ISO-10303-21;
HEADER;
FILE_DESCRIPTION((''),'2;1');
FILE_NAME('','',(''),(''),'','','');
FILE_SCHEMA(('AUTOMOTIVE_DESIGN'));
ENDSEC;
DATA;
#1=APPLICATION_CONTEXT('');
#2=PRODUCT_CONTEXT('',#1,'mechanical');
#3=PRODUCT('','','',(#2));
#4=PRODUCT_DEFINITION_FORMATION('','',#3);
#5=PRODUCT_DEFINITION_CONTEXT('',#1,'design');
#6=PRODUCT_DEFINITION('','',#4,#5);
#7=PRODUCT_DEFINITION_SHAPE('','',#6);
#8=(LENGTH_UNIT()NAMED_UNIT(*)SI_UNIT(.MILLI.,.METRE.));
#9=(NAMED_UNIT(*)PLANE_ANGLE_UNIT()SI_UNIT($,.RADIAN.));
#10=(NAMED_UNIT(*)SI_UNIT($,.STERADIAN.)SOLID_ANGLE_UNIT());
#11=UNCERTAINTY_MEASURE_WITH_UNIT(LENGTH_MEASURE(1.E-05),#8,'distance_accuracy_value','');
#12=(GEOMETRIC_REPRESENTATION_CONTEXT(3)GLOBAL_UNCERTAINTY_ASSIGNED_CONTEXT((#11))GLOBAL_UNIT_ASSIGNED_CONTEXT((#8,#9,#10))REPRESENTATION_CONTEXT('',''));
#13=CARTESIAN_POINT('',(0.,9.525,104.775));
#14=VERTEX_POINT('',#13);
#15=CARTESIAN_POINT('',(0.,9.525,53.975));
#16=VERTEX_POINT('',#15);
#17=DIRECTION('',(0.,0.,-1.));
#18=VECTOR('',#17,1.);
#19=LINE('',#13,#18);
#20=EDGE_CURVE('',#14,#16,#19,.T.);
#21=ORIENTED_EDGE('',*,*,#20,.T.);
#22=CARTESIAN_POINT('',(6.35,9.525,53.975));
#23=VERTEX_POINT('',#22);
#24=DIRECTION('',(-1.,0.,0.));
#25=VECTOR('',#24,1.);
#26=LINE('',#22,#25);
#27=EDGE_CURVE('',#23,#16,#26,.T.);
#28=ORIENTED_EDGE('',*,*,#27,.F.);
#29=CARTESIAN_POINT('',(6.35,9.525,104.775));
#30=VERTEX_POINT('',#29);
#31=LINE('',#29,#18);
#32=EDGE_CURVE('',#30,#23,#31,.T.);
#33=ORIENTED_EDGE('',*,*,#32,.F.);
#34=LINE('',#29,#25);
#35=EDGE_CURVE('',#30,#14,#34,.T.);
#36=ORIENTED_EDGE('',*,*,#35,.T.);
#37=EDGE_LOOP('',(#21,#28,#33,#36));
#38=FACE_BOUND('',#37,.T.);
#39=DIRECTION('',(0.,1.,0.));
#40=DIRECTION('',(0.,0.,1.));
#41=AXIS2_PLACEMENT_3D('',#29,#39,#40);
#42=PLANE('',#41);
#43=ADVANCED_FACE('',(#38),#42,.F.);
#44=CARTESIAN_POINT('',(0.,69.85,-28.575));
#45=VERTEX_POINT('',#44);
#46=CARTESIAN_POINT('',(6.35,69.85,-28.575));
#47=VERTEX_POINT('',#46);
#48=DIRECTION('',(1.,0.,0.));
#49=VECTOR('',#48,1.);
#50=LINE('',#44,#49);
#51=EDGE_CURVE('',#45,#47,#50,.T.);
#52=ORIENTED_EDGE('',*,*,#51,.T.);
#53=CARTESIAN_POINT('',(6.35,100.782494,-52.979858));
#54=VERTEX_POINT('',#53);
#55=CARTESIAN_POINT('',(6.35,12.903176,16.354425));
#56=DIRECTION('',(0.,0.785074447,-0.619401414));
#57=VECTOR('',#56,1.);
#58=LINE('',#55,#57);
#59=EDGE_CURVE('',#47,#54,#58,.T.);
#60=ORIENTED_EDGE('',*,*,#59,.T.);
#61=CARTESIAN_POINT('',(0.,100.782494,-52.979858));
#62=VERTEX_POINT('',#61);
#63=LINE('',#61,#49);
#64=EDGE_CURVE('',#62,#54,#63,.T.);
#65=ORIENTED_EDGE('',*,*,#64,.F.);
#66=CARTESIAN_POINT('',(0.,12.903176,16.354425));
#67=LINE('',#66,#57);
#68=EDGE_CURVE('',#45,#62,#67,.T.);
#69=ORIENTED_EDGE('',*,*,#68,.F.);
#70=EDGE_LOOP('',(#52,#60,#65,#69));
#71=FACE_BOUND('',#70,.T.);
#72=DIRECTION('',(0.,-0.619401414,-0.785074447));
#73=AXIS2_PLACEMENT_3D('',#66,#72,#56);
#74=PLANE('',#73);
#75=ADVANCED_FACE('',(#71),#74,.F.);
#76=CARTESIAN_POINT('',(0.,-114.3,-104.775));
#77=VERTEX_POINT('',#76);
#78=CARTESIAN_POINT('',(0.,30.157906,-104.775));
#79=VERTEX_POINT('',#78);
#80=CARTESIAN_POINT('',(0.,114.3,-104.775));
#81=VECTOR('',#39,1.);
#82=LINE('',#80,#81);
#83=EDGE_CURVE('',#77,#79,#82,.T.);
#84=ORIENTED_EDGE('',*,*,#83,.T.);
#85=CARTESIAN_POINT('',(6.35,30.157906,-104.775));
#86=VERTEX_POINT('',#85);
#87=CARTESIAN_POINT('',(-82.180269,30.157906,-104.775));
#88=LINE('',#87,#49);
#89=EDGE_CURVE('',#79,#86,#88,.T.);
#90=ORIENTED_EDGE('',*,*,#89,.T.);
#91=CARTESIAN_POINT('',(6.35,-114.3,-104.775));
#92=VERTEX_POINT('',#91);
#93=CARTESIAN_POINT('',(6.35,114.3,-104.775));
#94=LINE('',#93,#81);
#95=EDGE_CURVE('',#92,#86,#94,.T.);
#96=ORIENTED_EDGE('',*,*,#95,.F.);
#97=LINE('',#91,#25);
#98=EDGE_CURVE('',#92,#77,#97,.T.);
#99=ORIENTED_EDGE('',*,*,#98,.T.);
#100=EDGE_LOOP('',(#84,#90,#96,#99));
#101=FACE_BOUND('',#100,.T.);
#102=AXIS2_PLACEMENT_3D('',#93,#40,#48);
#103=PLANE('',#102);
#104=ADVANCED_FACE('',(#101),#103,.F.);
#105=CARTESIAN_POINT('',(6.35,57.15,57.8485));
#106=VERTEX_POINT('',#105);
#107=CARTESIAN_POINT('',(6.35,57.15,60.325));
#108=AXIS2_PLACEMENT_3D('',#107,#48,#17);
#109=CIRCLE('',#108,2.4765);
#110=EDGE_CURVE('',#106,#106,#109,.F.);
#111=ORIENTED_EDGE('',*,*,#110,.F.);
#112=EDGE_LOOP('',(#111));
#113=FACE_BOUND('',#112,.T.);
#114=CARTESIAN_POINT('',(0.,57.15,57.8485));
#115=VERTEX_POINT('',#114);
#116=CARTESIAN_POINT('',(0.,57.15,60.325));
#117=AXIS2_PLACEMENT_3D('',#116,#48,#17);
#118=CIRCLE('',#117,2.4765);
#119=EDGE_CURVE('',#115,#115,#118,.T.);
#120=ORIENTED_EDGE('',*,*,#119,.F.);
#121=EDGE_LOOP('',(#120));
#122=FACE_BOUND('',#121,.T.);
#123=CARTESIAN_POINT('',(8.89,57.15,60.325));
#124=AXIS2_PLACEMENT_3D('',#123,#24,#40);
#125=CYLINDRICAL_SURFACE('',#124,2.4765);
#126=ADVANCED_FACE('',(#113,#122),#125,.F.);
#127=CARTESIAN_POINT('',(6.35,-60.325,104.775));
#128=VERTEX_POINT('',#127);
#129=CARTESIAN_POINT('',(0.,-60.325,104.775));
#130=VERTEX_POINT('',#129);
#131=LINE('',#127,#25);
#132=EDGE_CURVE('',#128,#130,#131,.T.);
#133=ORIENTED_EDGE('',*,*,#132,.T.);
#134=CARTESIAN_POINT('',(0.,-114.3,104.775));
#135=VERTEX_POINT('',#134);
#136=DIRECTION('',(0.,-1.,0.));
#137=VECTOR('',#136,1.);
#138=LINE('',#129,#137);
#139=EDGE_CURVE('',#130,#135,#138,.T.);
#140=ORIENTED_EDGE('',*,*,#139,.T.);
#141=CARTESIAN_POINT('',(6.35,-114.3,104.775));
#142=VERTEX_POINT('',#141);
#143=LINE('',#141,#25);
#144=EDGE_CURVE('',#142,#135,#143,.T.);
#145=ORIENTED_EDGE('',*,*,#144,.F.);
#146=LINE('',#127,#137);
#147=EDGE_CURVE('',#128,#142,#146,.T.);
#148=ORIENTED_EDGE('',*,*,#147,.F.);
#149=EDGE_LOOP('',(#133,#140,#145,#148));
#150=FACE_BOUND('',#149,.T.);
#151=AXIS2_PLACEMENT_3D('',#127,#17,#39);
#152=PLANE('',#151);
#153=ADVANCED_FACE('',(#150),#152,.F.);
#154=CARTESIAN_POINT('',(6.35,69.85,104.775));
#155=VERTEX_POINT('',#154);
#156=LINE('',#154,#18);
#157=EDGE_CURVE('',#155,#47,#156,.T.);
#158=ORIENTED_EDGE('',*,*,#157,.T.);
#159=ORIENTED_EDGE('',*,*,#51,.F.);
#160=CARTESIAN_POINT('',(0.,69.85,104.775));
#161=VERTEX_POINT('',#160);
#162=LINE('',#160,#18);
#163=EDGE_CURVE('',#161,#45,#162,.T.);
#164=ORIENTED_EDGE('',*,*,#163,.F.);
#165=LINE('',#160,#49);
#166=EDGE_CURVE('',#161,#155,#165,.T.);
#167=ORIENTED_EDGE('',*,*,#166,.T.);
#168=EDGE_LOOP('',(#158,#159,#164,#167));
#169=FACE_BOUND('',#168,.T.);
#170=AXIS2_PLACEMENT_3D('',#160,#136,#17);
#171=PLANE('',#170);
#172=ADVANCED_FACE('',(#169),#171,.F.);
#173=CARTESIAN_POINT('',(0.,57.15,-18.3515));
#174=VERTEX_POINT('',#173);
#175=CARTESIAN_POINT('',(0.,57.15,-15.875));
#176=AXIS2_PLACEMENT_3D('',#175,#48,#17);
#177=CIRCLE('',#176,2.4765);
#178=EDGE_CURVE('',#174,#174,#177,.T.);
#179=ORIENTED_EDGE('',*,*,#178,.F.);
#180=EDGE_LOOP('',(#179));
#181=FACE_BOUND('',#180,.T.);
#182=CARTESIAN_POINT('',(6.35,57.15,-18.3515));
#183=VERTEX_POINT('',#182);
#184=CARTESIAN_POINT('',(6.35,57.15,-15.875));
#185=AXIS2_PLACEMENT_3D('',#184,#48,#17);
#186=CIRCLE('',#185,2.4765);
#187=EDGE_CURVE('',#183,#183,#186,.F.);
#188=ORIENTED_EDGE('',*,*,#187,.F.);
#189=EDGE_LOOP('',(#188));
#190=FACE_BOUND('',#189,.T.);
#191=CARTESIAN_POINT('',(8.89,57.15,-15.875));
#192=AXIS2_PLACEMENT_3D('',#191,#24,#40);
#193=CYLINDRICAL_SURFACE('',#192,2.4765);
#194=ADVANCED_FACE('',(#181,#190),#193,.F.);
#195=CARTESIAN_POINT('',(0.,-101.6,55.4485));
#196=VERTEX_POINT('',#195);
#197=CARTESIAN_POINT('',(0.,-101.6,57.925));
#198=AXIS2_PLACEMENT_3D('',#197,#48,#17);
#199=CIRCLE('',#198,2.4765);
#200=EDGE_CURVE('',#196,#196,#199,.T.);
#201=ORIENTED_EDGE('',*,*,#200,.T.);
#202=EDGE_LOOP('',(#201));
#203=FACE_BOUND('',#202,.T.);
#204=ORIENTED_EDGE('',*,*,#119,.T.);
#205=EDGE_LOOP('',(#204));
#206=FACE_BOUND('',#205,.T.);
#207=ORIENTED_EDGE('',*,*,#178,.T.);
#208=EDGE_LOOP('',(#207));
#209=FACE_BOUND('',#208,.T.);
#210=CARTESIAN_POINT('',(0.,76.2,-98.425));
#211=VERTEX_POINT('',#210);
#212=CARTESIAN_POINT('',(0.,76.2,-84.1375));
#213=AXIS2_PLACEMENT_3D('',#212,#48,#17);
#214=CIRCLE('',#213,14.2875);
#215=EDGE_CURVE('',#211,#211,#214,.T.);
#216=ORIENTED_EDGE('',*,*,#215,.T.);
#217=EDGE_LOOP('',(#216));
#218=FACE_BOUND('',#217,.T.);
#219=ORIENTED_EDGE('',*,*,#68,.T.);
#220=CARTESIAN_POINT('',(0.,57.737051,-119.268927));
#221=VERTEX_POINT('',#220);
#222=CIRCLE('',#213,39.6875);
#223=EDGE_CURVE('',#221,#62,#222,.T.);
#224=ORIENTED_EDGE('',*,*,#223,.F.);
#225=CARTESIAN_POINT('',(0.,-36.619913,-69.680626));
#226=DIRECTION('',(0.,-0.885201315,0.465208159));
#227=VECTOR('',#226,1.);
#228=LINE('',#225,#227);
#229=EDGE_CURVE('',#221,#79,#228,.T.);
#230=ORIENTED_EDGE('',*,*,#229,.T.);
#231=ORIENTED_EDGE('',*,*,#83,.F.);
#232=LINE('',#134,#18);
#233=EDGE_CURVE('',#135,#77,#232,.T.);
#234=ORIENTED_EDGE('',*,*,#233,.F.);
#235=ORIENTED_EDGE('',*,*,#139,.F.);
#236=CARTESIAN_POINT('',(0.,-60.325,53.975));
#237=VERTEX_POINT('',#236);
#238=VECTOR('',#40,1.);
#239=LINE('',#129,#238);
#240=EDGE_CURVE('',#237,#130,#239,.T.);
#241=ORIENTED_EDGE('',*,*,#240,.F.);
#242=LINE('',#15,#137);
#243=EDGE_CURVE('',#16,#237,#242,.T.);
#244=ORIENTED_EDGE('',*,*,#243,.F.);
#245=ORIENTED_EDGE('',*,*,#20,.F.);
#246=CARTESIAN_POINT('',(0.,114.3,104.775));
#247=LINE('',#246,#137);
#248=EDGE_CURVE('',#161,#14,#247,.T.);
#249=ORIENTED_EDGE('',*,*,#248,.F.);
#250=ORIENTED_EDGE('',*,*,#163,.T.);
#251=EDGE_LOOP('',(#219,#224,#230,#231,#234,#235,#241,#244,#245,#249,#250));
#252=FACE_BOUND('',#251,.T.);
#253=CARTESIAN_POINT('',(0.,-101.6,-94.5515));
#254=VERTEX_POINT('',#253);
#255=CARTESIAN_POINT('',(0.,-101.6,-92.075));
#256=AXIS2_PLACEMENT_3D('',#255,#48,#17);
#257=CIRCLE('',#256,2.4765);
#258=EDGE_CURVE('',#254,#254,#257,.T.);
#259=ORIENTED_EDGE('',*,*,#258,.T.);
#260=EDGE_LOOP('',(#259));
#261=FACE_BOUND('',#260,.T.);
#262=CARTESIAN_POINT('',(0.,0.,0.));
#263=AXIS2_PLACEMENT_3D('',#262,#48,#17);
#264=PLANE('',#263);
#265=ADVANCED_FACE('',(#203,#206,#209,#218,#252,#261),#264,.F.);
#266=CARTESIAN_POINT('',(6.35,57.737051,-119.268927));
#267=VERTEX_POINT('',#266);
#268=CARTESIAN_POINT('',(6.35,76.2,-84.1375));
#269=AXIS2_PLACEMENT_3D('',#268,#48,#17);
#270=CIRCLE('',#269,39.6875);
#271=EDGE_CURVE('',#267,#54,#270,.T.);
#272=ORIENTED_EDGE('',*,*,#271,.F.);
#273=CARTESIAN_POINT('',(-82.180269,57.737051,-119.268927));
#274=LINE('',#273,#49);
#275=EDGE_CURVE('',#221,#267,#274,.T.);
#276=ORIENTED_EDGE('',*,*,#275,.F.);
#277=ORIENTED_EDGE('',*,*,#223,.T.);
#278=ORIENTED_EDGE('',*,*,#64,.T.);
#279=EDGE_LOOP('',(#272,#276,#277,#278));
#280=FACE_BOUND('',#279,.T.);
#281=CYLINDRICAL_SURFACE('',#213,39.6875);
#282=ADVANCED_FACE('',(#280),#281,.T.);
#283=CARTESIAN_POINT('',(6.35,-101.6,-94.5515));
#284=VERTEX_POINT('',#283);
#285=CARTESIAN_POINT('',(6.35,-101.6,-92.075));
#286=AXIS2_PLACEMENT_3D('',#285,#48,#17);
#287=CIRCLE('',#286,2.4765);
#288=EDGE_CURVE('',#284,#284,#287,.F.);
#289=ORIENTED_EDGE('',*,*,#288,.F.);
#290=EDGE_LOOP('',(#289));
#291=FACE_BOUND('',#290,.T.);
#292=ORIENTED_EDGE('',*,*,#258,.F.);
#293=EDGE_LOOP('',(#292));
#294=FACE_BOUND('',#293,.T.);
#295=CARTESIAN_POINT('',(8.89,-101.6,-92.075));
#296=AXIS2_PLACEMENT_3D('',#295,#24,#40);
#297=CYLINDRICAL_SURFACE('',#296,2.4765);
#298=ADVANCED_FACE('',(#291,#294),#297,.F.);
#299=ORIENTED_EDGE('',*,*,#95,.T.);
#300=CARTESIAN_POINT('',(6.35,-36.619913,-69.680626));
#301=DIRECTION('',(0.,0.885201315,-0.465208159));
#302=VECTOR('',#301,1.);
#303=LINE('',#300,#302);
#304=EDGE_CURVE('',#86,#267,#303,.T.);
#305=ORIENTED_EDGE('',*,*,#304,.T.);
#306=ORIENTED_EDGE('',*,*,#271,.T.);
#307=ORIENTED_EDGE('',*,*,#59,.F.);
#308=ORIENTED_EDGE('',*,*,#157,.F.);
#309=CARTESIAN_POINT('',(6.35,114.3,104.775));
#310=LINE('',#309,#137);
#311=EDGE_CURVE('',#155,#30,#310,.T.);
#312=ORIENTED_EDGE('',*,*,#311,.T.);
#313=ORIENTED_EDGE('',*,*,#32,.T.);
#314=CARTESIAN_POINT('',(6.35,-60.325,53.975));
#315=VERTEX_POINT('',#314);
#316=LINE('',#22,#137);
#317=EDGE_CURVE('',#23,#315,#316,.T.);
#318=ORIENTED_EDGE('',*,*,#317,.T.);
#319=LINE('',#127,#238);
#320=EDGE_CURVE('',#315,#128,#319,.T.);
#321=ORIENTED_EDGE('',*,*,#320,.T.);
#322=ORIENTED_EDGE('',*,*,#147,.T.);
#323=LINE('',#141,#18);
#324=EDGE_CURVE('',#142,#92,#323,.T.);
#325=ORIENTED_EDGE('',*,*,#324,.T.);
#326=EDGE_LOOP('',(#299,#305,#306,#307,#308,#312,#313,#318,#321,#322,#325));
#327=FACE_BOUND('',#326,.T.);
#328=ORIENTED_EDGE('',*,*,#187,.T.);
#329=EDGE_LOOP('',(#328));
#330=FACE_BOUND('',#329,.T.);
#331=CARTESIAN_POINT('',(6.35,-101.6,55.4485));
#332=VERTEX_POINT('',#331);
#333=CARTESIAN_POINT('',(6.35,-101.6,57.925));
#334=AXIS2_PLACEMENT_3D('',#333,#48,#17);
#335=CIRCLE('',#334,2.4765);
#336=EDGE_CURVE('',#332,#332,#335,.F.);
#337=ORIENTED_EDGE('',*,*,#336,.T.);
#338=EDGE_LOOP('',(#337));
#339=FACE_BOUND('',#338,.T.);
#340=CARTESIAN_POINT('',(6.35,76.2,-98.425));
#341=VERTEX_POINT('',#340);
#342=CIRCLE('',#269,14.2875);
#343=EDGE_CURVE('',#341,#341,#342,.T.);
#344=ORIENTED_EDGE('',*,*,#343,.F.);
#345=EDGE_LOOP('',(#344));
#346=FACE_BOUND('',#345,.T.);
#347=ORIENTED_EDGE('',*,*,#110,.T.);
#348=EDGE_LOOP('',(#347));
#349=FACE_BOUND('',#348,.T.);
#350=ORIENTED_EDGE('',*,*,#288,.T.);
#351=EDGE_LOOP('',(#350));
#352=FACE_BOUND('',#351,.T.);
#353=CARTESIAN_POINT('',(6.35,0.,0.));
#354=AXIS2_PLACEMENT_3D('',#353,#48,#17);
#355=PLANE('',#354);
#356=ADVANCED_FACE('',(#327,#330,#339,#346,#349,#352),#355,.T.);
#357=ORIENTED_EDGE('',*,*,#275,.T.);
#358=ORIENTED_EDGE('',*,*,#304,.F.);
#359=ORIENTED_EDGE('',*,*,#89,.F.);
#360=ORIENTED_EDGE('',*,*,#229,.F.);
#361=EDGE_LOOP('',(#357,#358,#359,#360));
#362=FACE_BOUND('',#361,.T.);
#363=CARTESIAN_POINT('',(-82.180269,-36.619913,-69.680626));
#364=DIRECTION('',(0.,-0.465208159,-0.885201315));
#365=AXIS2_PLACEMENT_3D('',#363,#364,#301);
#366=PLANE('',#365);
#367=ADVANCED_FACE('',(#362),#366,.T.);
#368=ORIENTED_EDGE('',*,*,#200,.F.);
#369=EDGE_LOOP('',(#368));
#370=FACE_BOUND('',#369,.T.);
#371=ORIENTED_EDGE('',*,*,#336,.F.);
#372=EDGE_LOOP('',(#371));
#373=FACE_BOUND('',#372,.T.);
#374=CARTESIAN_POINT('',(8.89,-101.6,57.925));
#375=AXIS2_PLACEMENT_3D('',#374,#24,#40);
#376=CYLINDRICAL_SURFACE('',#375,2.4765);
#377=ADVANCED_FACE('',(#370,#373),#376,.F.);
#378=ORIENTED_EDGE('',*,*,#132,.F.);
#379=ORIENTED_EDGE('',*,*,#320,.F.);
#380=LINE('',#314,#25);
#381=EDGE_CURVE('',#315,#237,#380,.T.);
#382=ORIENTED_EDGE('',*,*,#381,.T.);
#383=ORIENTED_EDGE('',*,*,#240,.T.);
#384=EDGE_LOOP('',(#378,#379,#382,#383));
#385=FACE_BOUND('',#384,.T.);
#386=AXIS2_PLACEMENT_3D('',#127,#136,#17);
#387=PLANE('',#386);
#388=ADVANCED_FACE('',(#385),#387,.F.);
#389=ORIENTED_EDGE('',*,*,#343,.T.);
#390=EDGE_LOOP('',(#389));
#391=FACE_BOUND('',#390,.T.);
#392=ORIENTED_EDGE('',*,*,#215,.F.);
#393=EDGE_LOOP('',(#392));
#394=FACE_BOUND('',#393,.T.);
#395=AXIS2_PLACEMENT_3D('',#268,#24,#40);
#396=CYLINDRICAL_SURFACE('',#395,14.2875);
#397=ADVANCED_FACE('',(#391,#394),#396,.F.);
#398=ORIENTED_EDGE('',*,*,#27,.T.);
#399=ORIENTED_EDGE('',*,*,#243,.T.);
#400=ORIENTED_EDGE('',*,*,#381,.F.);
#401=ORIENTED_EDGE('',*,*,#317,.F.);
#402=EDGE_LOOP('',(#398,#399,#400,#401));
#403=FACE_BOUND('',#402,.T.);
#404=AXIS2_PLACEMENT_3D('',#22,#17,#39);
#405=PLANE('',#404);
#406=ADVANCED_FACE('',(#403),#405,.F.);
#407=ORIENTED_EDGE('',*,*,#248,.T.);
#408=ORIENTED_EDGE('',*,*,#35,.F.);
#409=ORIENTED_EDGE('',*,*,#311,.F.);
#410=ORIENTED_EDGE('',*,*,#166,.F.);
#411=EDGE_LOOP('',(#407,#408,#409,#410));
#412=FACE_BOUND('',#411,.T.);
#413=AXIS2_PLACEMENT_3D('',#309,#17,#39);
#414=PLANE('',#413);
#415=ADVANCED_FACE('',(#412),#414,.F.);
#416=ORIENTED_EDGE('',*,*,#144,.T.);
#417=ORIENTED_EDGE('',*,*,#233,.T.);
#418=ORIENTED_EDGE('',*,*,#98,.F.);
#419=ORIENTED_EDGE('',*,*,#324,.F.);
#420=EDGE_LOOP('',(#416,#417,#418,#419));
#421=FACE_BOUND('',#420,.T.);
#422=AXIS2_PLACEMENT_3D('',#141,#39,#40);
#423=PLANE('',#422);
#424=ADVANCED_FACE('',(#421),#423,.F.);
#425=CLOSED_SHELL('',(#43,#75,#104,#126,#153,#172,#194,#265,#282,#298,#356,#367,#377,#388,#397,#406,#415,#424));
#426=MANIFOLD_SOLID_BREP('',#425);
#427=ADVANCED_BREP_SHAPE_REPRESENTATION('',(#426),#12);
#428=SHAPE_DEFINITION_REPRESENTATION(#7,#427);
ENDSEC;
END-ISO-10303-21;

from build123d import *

# Parameters (mm, degrees)
SKETCH1_R               = 14.2875
BOSS_EXTRUDE1_DEPTH     = 6.35
SKETCH2_W               = 133.35
SKETCH2_H               = 44.45
CUT_EXTRUDE1_DEPTH      = 7.35
CUT_EXTRUDE2_DEPTH      = 7.35
BOSS_EXTRUDE2_DEPTH     = 6.35
SKETCH4_R               = 2.4765
CUT_EXTRUDE3_DEPTH      = 2.54
CUT_EXTRUDE3_DEPTH_BACK = 7.35


with BuildPart() as part:
    # Sketch1 → Boss-Extrude1 (new body)
    with BuildSketch(Plane(origin=(0, 0, 0), x_dir=(0, 0, -1), z_dir=(1, 0, 0))):
        Polygon((-104.775, -60.325), (-104.775, -114.3), (104.775, -114.3), (104.775, 114.3), (-104.775, 114.3), (-104.775, 9.525), (-53.975, 9.525), (-53.975, -60.325), align=None)
        with Locations((84.1375, 76.2)):
            Circle(SKETCH1_R, mode=Mode.SUBTRACT)
    extrude(amount=BOSS_EXTRUDE1_DEPTH)

    # Sketch2 → Cut-Extrude1 (cut, through all)
    with BuildSketch(Plane(origin=(6.35, 0, 0), x_dir=(0, 0, -1), z_dir=(1, 0, 0))):
        with Locations((-38.1, 92.075)):
            Rectangle(SKETCH2_W, SKETCH2_H)
    extrude(amount=-CUT_EXTRUDE1_DEPTH, mode=Mode.SUBTRACT)

    # Sketch3 → Cut-Extrude2 (cut, through all)
    with BuildSketch(Plane(origin=(6.35, 0, 0), x_dir=(0, 0, -1), z_dir=(1, 0, 0))):
        with BuildLine():
            Line((28.575, 114.3), (28.575, 69.85))
            Line((28.575, 69.85), (52.979857871, 100.782493632))
            ThreePointArc((52.979857871, 100.782493632), (61.948043641, 109.10479726), (73.025, 114.3))
            Line((73.025, 114.3), (28.575, 114.3))
        make_face()
        with BuildLine():
            Line((104.775, 114.3), (95.25, 114.3))
            ThreePointArc((95.25, 114.3), (100.150813391, 112.513516085), (104.775, 110.09972345))
            Line((104.775, 110.09972345), (104.775, 114.3))
        make_face()
    extrude(amount=-CUT_EXTRUDE2_DEPTH, mode=Mode.SUBTRACT)

    # Sketch3<3> → Boss-Extrude2 (add)
    with BuildSketch(Plane(origin=(6.35, 0, 0), x_dir=(0, 0, -1), z_dir=(1, 0, 0))):
        with BuildLine():
            ThreePointArc((119.268927195, 57.73705117), (113.070471033, 49.034197169), (104.775, 42.30027655))
            Line((104.775, 42.30027655), (104.775, 30.157905893))
            Line((104.775, 30.157905893), (119.268927195, 57.73705117))
        make_face()
        with BuildLine():
            Line((104.775, 110.09972345), (104.775, 42.30027655))
            ThreePointArc((104.775, 42.30027655), (113.070471033, 49.034197169), (119.268927195, 57.73705117))
            ThreePointArc((119.268927195, 57.73705117), (122.669150452, 66.691605303), (123.825, 76.2))
            ThreePointArc((123.825, 76.2), (118.736260364, 95.642824833), (104.775, 110.09972345))
        make_face()
        with BuildLine():
            ThreePointArc((95.25, 114.3), (84.1375, 115.8875), (73.025, 114.3))
            Line((73.025, 114.3), (95.25, 114.3))
        make_face()
    extrude(amount=-BOSS_EXTRUDE2_DEPTH)

    # Sketch4 → Cut-Extrude3 (cut, two sides)
    with BuildSketch(Plane(origin=(6.35, 0, 0), x_dir=(0, 0, -1), z_dir=(1, 0, 0))) as cut_extrude3_sk:
        with Locations((-60.325, 57.15)):
            Circle(SKETCH4_R)
        with Locations((15.875, 57.15)):
            Circle(SKETCH4_R)
        with Locations((92.075, -101.6)):
            Circle(SKETCH4_R)
        with Locations((-57.925, -101.6)):
            Circle(SKETCH4_R)
    extrude(amount=CUT_EXTRUDE3_DEPTH, mode=Mode.SUBTRACT)
    extrude(cut_extrude3_sk.sketch, amount=-CUT_EXTRUDE3_DEPTH_BACK, mode=Mode.SUBTRACT)


solid = part.part
